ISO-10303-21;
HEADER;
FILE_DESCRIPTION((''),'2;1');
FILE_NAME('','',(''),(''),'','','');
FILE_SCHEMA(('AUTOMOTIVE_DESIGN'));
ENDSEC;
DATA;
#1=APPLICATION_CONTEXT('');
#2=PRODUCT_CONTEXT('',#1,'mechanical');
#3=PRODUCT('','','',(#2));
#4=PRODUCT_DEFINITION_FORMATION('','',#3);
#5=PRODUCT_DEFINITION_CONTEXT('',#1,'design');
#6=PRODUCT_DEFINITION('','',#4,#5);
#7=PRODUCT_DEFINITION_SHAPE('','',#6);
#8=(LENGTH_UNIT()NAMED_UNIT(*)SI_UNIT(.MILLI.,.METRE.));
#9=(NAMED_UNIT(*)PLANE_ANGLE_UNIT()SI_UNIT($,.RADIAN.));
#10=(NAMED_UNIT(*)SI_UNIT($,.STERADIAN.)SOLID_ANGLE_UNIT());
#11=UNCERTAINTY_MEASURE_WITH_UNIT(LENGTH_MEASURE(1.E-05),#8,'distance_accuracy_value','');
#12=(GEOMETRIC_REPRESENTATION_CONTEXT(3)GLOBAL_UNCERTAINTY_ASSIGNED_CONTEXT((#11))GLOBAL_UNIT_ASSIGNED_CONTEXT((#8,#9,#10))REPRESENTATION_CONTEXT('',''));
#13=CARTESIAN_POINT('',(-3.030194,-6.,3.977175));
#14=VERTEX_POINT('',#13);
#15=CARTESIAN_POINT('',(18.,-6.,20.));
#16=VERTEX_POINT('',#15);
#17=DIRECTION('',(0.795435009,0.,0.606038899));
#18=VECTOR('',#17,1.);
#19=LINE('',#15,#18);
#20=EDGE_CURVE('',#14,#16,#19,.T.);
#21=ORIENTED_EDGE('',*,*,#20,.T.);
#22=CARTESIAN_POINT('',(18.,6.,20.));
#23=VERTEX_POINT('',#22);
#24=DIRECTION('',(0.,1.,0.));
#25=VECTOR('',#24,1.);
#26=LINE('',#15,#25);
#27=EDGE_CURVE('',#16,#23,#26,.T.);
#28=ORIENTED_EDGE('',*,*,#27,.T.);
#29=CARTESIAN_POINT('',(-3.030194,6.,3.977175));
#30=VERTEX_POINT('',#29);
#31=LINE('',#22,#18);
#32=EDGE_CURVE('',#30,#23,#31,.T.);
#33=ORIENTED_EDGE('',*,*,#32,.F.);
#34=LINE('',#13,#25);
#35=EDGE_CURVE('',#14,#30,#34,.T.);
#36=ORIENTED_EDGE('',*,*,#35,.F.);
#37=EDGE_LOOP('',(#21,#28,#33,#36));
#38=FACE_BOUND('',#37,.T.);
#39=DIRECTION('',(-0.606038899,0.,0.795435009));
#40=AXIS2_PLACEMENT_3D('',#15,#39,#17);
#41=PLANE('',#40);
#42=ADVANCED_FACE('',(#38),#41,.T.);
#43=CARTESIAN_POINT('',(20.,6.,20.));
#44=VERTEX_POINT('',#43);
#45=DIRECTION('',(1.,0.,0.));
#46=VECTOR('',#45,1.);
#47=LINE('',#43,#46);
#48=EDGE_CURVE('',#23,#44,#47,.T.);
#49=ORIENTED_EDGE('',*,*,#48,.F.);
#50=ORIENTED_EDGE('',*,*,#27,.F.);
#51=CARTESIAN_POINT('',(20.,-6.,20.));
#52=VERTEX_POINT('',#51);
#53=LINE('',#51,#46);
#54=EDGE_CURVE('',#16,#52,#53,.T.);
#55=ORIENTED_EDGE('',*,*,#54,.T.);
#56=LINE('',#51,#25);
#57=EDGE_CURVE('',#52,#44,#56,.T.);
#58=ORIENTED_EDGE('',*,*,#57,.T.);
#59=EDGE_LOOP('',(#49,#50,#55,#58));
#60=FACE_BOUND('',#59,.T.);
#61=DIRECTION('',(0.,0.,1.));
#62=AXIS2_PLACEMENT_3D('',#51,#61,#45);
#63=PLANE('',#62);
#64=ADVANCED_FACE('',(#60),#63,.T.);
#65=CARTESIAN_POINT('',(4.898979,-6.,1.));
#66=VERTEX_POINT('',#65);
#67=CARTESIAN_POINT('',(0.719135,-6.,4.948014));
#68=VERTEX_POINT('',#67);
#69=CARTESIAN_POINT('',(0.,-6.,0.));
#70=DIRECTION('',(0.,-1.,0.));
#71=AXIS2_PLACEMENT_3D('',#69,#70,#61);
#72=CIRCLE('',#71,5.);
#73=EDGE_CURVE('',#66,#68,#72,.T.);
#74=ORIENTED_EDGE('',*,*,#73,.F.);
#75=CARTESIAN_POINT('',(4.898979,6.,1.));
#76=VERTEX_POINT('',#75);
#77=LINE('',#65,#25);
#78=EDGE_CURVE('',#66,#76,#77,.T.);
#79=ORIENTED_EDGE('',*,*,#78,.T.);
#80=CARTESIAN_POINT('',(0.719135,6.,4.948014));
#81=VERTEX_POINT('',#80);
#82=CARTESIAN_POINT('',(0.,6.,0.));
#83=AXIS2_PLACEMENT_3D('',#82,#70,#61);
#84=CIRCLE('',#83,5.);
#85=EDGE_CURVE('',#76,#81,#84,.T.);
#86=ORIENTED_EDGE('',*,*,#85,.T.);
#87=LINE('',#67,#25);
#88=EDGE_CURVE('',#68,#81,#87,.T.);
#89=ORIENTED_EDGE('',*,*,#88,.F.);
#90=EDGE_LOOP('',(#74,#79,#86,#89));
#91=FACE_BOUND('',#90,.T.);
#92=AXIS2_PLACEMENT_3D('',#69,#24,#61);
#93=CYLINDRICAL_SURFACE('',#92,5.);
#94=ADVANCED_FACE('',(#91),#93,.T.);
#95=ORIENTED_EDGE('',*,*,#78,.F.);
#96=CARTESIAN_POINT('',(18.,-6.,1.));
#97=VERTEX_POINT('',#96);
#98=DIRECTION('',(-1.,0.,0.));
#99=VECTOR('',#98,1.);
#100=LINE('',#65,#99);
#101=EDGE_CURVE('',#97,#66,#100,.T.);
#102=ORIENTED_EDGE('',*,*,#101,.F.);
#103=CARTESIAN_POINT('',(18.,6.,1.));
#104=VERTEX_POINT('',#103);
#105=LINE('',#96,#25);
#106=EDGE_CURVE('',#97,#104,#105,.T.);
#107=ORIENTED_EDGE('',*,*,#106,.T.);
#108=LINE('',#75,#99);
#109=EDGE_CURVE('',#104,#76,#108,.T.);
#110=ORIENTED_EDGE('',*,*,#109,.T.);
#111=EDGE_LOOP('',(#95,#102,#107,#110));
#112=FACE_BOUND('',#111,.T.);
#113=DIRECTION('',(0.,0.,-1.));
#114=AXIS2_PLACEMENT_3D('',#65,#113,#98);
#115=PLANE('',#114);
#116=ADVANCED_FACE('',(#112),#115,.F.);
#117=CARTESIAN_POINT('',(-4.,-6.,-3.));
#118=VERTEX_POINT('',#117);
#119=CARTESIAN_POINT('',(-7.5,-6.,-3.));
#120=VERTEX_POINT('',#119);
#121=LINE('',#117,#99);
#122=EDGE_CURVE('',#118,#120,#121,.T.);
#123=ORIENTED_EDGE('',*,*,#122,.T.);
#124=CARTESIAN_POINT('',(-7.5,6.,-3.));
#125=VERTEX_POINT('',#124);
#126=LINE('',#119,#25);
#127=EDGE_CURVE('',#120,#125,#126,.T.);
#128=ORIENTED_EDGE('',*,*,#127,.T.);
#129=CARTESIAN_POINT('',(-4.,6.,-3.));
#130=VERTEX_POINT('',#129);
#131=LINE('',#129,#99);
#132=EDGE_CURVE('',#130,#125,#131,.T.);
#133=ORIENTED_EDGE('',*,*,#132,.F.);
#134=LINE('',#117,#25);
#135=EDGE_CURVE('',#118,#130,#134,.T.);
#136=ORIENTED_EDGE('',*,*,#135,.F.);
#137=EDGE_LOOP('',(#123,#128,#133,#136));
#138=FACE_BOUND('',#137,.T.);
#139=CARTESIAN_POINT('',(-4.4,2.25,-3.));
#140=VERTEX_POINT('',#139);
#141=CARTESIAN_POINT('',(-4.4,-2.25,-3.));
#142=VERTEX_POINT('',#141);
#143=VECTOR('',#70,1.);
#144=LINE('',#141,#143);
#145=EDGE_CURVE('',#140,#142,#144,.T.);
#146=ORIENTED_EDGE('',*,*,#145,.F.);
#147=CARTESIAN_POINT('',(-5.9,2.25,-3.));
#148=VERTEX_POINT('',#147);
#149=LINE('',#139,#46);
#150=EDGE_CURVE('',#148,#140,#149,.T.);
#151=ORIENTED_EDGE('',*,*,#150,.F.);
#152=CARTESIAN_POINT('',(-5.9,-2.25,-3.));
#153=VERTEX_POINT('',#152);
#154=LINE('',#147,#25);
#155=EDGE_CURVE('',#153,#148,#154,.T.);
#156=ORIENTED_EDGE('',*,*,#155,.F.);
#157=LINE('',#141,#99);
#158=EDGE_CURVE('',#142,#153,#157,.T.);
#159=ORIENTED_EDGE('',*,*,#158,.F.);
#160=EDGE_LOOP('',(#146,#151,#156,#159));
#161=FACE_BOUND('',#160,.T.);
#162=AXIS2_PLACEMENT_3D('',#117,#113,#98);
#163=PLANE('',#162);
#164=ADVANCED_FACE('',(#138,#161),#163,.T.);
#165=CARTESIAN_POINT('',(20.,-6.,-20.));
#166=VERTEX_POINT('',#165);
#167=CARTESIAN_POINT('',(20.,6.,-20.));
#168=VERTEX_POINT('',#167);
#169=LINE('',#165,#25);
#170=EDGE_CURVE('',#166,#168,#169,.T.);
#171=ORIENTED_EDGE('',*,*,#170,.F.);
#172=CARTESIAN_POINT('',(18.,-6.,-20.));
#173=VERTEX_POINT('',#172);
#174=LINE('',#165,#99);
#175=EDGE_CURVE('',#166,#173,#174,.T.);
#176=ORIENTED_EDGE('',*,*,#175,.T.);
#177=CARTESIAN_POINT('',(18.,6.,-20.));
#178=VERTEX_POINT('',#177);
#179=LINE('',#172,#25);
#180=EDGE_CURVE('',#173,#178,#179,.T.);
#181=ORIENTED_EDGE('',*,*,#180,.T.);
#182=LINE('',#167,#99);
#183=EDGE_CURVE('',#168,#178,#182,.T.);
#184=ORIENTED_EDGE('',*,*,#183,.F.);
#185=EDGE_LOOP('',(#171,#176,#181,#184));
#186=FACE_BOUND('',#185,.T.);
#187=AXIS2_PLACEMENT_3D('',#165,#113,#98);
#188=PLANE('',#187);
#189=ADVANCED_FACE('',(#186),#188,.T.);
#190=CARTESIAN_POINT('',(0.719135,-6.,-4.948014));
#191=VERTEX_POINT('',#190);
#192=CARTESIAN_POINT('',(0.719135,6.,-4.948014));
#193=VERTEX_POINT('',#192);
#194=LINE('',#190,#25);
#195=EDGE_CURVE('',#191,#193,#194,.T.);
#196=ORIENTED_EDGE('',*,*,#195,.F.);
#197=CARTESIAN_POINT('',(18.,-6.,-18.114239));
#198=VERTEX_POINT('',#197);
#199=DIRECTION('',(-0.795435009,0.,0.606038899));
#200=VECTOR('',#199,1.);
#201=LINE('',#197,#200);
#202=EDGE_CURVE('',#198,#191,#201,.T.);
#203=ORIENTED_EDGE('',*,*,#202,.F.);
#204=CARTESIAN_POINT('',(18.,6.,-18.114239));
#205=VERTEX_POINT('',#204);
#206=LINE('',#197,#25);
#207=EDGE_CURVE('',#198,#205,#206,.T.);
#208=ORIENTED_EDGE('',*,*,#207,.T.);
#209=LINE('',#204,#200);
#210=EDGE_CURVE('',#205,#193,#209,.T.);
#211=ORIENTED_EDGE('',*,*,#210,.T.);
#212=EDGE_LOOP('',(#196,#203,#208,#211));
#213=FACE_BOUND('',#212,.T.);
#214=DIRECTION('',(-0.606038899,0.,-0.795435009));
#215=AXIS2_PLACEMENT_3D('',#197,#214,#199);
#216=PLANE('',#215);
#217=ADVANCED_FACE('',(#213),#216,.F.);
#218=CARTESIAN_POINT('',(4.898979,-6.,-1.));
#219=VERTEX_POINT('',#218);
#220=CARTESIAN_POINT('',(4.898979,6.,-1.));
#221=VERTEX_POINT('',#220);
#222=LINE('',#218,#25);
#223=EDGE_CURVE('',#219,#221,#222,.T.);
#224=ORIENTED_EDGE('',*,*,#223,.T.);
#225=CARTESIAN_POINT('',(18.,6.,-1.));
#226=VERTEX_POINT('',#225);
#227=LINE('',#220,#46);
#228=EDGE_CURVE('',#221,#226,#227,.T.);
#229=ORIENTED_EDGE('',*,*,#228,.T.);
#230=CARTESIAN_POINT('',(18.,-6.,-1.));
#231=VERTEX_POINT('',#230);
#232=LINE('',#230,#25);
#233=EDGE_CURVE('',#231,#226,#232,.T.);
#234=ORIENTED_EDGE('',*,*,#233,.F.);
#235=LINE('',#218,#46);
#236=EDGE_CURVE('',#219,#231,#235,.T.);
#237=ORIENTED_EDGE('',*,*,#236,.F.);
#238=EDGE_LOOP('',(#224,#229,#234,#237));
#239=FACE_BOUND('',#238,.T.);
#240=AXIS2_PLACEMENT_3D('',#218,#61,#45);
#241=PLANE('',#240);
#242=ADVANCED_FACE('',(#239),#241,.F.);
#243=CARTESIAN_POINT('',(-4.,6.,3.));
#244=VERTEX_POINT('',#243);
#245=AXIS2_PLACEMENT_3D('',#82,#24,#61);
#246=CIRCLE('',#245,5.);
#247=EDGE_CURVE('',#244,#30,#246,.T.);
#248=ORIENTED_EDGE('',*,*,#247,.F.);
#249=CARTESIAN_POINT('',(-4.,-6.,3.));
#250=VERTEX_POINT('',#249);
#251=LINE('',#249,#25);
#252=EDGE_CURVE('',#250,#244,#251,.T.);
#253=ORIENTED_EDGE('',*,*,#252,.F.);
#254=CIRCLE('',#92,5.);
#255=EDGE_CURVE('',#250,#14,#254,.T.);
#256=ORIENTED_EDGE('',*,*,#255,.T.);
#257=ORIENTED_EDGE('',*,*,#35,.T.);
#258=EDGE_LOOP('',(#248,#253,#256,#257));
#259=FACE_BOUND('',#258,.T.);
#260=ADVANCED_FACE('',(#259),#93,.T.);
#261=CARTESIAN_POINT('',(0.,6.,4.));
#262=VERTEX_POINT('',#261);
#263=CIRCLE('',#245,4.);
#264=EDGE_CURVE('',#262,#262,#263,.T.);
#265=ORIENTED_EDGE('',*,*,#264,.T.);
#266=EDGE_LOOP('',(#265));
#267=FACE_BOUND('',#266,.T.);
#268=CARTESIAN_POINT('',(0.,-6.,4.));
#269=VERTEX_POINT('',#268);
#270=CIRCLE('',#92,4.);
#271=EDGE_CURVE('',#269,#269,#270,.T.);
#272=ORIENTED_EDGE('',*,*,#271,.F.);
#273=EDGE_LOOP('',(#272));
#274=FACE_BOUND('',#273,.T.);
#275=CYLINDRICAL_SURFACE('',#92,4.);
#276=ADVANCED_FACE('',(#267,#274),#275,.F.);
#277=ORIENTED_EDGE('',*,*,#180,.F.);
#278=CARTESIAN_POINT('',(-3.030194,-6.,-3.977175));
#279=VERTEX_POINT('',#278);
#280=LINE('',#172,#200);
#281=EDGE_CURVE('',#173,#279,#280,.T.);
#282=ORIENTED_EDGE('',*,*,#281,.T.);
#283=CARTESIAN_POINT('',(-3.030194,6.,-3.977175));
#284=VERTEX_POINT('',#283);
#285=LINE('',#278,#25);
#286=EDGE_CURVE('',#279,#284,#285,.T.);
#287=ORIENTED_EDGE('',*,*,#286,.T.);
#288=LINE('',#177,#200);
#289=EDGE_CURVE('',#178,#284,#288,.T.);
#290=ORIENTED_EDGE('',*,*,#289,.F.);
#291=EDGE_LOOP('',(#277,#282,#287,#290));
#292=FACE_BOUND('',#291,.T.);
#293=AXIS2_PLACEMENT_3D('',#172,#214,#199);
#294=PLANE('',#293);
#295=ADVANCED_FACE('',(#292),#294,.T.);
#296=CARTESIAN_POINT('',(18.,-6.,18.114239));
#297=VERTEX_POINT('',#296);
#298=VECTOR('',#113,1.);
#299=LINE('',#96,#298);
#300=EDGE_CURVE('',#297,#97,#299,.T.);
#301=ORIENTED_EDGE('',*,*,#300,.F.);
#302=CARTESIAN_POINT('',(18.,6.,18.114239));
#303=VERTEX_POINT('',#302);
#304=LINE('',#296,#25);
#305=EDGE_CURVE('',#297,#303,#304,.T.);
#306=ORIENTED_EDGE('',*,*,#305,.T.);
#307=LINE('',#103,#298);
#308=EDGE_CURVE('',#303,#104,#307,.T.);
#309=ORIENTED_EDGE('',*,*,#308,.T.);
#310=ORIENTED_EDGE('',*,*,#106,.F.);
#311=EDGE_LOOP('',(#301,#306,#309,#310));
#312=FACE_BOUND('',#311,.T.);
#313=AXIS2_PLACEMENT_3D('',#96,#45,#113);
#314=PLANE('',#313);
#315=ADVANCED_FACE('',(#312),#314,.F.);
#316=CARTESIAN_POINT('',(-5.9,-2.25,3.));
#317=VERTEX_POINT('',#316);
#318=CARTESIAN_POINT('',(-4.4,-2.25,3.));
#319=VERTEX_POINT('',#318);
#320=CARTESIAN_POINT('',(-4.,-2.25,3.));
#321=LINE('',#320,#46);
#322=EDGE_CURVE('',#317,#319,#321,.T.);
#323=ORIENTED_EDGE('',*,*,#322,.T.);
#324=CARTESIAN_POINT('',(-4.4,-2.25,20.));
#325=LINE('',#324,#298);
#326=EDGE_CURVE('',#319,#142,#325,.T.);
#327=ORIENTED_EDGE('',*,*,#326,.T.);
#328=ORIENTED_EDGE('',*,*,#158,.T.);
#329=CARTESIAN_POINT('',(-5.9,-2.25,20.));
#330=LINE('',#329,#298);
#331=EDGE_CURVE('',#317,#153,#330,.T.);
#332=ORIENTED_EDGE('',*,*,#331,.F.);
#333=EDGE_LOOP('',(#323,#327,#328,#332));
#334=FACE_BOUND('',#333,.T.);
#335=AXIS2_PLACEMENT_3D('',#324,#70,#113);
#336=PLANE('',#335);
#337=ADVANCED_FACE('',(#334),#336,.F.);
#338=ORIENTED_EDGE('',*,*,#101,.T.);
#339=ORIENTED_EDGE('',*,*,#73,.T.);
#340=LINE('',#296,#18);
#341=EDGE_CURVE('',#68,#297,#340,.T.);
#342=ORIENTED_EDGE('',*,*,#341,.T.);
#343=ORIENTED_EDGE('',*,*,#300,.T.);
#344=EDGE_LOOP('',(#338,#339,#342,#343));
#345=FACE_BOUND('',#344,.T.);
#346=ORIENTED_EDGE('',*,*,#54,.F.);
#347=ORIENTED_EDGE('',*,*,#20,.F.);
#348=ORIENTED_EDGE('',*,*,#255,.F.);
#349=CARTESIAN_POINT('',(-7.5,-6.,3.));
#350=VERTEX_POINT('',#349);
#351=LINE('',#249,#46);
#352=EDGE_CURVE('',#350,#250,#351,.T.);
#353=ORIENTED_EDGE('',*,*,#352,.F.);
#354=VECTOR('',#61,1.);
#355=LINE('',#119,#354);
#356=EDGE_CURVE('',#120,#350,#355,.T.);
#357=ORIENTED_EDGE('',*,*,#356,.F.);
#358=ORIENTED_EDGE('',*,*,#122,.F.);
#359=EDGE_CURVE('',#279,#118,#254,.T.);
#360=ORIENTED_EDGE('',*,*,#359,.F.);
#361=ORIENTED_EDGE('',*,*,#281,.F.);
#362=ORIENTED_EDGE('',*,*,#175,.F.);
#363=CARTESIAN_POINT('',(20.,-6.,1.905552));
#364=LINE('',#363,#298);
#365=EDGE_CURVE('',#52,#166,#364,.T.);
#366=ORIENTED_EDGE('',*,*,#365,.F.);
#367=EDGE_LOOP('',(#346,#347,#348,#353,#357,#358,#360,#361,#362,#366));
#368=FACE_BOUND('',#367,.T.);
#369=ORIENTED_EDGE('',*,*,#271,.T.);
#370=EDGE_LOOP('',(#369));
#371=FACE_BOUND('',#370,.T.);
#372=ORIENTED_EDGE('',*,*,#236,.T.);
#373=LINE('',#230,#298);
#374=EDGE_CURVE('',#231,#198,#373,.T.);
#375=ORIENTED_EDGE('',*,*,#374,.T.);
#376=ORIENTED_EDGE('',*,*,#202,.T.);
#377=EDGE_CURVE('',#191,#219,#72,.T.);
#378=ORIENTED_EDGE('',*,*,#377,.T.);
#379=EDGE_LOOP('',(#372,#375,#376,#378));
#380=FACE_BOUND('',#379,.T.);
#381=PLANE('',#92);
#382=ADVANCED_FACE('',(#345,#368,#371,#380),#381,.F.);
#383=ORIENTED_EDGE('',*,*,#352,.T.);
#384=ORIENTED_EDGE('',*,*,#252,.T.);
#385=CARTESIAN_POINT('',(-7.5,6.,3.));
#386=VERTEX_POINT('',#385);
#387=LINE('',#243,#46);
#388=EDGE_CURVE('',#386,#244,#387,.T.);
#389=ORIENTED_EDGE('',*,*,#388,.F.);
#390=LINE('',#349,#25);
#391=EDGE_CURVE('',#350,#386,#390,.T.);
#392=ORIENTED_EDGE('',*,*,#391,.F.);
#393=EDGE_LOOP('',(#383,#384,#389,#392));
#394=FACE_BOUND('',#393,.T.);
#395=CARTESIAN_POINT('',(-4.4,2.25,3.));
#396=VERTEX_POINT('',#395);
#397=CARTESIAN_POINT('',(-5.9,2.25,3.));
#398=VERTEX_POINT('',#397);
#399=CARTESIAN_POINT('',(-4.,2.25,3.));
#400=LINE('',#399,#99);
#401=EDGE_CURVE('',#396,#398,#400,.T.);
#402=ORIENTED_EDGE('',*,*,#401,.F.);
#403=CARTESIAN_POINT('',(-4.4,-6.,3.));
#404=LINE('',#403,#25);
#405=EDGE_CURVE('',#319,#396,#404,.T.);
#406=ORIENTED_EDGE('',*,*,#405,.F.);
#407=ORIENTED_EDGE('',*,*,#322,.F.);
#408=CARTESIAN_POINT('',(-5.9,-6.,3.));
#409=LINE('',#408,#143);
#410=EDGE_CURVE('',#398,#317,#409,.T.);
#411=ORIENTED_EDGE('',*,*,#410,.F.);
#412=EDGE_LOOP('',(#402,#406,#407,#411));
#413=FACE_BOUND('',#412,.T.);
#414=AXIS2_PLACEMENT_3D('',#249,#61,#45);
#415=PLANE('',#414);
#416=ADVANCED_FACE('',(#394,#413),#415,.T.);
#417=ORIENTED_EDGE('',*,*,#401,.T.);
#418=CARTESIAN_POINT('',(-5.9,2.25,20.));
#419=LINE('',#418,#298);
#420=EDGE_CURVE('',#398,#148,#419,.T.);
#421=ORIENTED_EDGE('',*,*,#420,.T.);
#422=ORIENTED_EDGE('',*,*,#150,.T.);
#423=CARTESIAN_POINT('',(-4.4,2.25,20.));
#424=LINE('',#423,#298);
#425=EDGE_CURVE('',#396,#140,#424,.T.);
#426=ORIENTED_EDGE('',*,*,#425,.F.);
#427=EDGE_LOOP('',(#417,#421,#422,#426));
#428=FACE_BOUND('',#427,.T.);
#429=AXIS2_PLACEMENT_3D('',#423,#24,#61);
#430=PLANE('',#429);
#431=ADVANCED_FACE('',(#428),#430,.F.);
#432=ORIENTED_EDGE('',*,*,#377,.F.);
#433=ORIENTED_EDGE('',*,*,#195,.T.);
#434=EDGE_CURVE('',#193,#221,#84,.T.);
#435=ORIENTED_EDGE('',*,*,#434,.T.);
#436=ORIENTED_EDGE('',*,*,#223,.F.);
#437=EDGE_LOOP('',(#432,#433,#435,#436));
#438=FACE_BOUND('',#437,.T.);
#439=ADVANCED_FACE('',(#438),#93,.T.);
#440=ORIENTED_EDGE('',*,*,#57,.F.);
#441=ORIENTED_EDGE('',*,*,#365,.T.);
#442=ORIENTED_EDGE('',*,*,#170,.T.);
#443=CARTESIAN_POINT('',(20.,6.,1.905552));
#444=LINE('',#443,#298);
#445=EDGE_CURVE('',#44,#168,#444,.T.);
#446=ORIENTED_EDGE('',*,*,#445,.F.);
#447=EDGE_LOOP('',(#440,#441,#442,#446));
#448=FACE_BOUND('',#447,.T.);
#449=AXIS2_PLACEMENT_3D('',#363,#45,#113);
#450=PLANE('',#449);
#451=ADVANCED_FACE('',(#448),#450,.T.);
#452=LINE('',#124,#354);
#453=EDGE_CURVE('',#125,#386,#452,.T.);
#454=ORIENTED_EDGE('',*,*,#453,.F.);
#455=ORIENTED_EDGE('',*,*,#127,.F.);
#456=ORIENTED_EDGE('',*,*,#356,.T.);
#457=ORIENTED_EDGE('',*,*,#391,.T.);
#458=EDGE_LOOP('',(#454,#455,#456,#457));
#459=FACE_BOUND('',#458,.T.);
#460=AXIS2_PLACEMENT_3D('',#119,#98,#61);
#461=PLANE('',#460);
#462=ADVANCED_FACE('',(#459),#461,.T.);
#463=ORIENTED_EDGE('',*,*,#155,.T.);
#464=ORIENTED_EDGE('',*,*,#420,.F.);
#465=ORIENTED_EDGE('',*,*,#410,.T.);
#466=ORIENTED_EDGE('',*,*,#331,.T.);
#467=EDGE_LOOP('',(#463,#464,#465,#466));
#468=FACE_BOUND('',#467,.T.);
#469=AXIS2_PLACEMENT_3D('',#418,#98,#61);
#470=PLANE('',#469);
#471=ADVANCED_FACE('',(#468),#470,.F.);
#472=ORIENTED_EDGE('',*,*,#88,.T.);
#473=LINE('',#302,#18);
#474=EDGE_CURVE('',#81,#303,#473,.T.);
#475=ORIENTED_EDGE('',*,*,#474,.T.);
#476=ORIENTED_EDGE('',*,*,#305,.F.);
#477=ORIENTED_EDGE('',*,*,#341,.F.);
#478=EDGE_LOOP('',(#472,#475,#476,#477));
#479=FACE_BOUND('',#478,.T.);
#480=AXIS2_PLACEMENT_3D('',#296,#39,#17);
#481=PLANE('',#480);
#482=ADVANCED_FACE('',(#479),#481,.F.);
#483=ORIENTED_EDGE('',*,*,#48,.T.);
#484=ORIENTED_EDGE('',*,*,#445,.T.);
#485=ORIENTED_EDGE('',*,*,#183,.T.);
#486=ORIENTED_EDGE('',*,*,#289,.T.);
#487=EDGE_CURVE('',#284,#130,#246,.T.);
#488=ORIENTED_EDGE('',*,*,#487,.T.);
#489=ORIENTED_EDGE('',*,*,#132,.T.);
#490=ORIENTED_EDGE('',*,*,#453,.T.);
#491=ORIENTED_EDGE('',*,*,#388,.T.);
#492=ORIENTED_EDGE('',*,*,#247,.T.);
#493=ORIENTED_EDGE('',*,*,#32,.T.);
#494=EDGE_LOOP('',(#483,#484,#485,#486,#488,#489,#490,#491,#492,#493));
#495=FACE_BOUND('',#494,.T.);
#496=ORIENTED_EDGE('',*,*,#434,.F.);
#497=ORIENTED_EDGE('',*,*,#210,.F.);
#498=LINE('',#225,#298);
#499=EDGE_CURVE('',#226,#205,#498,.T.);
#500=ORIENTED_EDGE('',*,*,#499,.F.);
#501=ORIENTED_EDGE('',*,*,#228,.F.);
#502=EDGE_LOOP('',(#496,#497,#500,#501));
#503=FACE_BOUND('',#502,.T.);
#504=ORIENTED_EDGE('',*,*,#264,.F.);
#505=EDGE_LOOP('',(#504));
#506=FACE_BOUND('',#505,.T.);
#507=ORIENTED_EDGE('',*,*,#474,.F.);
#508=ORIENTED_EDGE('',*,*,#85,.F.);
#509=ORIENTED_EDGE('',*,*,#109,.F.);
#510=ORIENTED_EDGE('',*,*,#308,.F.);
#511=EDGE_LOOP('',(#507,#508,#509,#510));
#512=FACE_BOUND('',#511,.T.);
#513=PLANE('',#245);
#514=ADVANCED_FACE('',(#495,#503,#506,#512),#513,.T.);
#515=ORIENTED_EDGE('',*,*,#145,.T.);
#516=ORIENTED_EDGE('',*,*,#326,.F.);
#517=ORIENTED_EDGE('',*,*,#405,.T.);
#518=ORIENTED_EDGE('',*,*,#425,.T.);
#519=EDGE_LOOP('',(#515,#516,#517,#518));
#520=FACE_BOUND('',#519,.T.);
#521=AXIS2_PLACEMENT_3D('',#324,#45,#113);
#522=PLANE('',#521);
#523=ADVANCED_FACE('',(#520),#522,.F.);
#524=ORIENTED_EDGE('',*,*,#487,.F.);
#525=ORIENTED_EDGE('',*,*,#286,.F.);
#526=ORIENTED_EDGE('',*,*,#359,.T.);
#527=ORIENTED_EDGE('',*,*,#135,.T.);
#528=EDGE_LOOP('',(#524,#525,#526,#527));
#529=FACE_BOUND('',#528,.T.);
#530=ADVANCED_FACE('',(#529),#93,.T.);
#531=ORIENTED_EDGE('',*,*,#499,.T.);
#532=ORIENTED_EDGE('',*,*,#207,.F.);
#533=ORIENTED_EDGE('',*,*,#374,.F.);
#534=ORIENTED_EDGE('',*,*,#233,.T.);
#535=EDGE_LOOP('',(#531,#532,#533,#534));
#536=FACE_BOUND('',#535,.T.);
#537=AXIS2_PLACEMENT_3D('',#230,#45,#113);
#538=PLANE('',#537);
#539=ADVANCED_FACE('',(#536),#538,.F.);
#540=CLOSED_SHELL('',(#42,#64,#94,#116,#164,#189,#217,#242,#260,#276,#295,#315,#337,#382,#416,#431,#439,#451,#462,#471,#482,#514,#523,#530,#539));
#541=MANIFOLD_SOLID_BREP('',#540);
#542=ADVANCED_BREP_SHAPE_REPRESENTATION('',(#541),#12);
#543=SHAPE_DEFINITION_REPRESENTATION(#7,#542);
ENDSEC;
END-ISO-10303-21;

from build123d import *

# Parameters (mm, degrees)
BOSS_EXTRUDE1_DEPTH      = 6
BOSS_EXTRUDE1_DEPTH_BACK = 6
SKETCH1_R                = 4
SKETCH2_W                = 1.5
SKETCH2_H                = 4.5
CUT_EXTRUDE1_DEPTH       = 32.064449134


with BuildPart() as part:
    # Sketch1 → Boss-Extrude1 (new, two sides: drawn at the far end of the back side and taken through both)
    with BuildSketch(Plane(origin=(0, 0, 0), x_dir=(1, 0, 0), z_dir=(0, 1, 0)).offset(-BOSS_EXTRUDE1_DEPTH_BACK)):
        with BuildLine():
            Line((-4, 3), (-7.5, 3))
            Line((-7.5, 3), (-7.5, -3))
            Line((-7.5, -3), (-4, -3))
            ThreePointArc((-4, -3), (-3.548890872, -3.522126287), (-3.030194493, -3.977175044))
            Line((-3.030194493, -3.977175044), (18, -20))
            Line((18, -20), (20, -20))
            Line((20, -20), (20, -1.905552368))
            Line((20, -1.905552368), (20, 20))
            Line((20, 20), (18, 20))
            Line((18, 20), (-3.030194493, 3.977175044))
            ThreePointArc((-3.030194493, 3.977175044), (-3.548890872, 3.522126287), (-4, 3))
        make_face()
        Circle(SKETCH1_R, mode=Mode.SUBTRACT)
        with BuildLine():
            Line((4.898979486, 1), (18, 1))
            Line((18, 1), (18, 18.114239399))
            Line((18, 18.114239399), (0.719134947, 4.948014241))
            ThreePointArc((0.719134947, 4.948014241), (3.433293835, 3.634899372), (4.898979486, 1))
        make_face(mode=Mode.SUBTRACT)
        with BuildLine():
            Line((4.898979486, -1), (18, -1))
            Line((18, -1), (18, -18.114239399))
            Line((18, -18.114239399), (0.719134947, -4.948014241))
            ThreePointArc((0.719134947, -4.948014241), (3.433293835, -3.634899372), (4.898979486, -1))
        make_face(mode=Mode.SUBTRACT)
    extrude(amount=BOSS_EXTRUDE1_DEPTH + BOSS_EXTRUDE1_DEPTH_BACK)

    # Sketch2 → Cut-Extrude1 (cut, through all)
    with BuildSketch(Plane(origin=(0, 0, -3), x_dir=(-1, 0, 0), z_dir=(0, 0, -1))):
        with Locations((5.15, 0)):
            Rectangle(SKETCH2_W, SKETCH2_H)
    extrude(amount=-CUT_EXTRUDE1_DEPTH, mode=Mode.SUBTRACT)


solid = part.part
